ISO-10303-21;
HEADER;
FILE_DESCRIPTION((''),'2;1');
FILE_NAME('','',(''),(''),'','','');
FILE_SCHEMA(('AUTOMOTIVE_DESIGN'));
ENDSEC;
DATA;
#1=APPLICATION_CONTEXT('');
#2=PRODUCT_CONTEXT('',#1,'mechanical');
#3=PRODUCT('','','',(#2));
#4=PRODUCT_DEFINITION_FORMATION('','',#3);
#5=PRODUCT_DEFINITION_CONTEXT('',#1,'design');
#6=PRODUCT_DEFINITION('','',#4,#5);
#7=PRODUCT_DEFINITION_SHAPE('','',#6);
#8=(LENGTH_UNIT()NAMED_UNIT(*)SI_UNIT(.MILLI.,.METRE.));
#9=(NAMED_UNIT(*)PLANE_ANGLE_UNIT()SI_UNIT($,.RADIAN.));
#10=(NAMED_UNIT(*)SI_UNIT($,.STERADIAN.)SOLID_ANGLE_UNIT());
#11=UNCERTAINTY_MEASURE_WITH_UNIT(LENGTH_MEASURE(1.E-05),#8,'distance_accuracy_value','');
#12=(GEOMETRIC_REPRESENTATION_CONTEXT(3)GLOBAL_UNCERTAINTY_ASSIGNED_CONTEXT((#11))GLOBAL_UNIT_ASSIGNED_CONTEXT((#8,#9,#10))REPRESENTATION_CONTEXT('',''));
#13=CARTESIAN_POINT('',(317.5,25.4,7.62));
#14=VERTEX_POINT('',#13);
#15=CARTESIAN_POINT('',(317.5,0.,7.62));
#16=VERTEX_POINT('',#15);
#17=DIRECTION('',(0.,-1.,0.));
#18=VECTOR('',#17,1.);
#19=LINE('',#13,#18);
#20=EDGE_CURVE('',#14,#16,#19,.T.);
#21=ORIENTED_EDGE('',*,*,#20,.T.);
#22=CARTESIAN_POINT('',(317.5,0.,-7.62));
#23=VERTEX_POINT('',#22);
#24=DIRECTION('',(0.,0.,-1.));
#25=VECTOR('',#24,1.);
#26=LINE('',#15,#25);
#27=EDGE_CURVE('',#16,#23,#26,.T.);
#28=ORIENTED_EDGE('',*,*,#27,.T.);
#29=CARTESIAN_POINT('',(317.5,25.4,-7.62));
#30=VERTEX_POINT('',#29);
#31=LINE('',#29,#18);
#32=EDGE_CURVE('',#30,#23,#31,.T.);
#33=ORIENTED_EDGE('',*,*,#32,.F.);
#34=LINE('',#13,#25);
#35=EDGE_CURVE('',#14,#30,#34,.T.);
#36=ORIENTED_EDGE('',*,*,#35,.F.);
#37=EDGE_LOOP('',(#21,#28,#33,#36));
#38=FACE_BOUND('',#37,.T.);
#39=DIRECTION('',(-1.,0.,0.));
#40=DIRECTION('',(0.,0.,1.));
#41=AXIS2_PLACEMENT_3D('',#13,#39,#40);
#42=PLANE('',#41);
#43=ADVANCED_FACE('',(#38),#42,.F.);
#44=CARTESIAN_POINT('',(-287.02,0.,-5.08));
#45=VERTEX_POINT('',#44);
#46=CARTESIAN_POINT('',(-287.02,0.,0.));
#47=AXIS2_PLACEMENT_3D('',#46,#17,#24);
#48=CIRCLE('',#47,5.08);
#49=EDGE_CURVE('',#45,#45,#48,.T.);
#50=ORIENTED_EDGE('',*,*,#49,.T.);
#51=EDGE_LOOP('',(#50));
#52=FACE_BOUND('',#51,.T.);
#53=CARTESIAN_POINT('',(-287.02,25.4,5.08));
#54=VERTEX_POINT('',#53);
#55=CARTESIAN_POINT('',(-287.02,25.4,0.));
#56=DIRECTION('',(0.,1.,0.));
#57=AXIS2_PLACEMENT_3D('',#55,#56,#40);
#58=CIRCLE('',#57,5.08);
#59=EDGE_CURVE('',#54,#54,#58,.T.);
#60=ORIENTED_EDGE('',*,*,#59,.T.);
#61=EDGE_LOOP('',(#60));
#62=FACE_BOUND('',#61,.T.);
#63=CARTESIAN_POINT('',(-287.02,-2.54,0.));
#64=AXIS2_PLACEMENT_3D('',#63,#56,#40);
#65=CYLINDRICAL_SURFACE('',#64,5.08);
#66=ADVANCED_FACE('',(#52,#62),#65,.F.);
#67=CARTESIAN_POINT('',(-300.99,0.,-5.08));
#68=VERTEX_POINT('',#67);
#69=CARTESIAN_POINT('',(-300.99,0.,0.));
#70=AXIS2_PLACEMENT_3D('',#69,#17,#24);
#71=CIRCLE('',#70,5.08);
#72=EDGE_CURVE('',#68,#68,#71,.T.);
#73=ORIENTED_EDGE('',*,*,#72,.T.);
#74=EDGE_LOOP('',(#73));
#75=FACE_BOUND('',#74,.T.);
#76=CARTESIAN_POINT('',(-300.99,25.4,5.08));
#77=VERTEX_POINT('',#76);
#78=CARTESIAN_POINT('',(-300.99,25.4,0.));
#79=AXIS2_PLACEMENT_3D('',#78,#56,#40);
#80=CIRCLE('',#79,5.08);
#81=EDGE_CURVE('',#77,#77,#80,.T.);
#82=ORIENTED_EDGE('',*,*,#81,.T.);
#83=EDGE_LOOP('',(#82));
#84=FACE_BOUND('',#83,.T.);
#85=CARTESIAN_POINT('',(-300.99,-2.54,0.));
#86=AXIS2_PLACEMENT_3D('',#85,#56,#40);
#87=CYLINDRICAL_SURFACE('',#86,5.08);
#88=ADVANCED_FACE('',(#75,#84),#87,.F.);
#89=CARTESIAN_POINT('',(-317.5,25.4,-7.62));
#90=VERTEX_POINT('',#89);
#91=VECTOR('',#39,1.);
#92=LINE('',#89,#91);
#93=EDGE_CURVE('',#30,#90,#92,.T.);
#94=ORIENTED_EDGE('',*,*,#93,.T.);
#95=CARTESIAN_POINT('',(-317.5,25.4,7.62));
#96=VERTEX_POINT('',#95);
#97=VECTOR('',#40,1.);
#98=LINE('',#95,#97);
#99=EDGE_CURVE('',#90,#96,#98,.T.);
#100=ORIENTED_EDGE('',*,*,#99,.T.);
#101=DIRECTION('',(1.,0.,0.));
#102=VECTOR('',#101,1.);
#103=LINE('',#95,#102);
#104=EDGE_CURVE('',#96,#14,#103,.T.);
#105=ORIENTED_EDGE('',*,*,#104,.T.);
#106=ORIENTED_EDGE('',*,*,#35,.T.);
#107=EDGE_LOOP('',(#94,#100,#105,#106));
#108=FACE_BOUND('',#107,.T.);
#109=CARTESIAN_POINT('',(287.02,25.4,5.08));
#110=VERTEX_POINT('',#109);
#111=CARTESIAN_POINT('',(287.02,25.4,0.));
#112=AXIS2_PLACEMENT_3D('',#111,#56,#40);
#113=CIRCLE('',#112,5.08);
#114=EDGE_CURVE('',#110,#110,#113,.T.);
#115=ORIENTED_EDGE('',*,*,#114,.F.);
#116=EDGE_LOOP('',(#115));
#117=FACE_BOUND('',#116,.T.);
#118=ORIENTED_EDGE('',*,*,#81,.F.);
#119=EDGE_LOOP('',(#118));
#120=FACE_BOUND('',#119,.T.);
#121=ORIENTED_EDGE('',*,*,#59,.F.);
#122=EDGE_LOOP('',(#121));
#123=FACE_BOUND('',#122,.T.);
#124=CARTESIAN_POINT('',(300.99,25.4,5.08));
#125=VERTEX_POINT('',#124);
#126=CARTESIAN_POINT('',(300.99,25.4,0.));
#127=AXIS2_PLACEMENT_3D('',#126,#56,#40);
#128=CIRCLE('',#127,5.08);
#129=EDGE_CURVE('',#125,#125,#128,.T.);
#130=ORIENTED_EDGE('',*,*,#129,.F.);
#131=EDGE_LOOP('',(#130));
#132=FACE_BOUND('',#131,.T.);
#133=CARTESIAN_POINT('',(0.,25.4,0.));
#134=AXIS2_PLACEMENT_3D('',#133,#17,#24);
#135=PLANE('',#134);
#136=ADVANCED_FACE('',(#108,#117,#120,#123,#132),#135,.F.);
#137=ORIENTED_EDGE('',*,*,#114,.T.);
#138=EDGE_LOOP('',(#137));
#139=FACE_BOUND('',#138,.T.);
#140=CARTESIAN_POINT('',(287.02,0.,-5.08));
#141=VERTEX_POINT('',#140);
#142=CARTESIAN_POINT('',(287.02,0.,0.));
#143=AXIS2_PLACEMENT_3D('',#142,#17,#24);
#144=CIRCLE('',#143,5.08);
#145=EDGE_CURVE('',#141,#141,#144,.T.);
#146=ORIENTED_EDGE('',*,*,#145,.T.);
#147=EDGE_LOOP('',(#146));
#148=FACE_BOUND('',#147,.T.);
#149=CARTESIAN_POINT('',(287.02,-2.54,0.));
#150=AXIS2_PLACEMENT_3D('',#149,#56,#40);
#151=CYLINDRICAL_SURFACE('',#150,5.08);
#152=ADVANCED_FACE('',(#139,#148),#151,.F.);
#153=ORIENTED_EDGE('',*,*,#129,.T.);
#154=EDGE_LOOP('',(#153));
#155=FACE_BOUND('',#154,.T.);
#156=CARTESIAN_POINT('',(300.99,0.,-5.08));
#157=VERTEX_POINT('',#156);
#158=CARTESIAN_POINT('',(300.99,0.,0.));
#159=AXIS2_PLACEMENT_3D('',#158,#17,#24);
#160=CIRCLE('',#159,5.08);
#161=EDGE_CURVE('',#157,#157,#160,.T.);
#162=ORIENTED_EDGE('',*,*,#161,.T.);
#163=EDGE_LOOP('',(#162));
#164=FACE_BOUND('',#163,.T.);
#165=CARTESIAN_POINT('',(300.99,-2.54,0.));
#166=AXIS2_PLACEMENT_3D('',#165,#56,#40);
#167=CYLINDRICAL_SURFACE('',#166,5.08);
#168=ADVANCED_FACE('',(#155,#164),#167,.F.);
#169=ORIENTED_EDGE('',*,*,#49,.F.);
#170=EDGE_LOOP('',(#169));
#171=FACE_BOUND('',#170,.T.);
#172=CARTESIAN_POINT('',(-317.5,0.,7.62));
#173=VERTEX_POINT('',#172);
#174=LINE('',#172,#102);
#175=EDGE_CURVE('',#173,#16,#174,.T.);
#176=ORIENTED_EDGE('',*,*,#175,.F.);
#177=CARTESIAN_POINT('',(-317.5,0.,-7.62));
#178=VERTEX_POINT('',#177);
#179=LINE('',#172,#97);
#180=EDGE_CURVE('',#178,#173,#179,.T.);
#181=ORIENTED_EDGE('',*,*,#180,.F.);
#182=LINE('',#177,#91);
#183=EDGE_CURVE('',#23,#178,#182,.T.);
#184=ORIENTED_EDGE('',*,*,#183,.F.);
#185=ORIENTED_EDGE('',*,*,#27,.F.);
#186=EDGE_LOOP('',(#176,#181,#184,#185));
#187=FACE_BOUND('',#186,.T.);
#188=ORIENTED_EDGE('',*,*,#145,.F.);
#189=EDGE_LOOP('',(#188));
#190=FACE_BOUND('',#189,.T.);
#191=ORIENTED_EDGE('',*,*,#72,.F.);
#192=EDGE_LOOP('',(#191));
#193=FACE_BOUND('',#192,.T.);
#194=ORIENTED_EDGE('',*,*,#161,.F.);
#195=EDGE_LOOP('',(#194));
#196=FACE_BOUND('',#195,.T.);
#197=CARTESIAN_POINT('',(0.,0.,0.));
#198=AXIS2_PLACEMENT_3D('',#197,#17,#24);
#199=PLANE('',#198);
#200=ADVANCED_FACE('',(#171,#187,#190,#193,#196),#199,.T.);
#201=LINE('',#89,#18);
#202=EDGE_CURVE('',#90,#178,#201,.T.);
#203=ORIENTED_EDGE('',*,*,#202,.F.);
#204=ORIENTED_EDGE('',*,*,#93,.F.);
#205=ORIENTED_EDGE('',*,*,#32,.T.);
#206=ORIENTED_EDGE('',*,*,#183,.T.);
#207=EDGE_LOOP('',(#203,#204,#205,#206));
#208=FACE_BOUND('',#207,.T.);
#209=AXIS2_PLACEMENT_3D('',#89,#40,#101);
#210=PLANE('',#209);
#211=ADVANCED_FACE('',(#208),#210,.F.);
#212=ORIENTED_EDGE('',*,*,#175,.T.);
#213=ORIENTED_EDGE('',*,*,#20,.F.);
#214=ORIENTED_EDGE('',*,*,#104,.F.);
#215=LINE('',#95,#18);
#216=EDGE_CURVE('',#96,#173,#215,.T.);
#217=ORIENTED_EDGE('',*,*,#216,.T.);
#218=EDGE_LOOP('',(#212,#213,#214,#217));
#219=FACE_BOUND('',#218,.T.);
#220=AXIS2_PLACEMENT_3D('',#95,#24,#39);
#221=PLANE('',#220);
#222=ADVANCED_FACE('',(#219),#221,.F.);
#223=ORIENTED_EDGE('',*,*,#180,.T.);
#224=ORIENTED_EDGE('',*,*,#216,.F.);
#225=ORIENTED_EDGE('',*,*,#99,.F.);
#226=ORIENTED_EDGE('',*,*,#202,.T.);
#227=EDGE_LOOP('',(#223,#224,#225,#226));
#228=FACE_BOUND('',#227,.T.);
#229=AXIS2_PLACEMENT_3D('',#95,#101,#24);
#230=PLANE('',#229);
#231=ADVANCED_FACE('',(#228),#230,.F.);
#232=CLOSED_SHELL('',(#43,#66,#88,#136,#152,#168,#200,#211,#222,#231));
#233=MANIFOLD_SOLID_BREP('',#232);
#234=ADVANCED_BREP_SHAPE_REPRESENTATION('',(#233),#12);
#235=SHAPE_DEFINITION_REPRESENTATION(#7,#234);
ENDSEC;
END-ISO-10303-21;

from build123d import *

# Parameters (mm, degrees)
SKETCH1_W           = 635
SKETCH1_H           = 15.24
BOSS_EXTRUDE1_DEPTH = 25.4
SKETCH2_R           = 5.08
CUT_EXTRUDE1_DEPTH  = 27.94


with BuildPart() as part:
    # Sketch1 → Boss-Extrude1 (new body)
    with BuildSketch(Plane(origin=(0, 0, 0), x_dir=(1, 0, 0), z_dir=(0, 1, 0))):
        Rectangle(SKETCH1_W, SKETCH1_H)
    extrude(amount=BOSS_EXTRUDE1_DEPTH)

    # Sketch2 → Cut-Extrude1 (cut)
    with BuildSketch(Plane(origin=(0, 25.4, 0), x_dir=(1, 0, 0), z_dir=(0, 1, 0))):
        with Locations(Location((-300.99, 0, 0), (0, 0, 270))):
            Circle(SKETCH2_R)
        with Locations(Location((-287.02, 0, 0), (0, 0, 270))):
            Circle(SKETCH2_R)
        with Locations(Location((300.99, 0, 0), (0, 0, 270))):
            Circle(SKETCH2_R)
        with Locations(Location((287.02, 0, 0), (0, 0, 270))):
            Circle(SKETCH2_R)
    extrude(amount=-CUT_EXTRUDE1_DEPTH, mode=Mode.SUBTRACT)


solid = part.part
